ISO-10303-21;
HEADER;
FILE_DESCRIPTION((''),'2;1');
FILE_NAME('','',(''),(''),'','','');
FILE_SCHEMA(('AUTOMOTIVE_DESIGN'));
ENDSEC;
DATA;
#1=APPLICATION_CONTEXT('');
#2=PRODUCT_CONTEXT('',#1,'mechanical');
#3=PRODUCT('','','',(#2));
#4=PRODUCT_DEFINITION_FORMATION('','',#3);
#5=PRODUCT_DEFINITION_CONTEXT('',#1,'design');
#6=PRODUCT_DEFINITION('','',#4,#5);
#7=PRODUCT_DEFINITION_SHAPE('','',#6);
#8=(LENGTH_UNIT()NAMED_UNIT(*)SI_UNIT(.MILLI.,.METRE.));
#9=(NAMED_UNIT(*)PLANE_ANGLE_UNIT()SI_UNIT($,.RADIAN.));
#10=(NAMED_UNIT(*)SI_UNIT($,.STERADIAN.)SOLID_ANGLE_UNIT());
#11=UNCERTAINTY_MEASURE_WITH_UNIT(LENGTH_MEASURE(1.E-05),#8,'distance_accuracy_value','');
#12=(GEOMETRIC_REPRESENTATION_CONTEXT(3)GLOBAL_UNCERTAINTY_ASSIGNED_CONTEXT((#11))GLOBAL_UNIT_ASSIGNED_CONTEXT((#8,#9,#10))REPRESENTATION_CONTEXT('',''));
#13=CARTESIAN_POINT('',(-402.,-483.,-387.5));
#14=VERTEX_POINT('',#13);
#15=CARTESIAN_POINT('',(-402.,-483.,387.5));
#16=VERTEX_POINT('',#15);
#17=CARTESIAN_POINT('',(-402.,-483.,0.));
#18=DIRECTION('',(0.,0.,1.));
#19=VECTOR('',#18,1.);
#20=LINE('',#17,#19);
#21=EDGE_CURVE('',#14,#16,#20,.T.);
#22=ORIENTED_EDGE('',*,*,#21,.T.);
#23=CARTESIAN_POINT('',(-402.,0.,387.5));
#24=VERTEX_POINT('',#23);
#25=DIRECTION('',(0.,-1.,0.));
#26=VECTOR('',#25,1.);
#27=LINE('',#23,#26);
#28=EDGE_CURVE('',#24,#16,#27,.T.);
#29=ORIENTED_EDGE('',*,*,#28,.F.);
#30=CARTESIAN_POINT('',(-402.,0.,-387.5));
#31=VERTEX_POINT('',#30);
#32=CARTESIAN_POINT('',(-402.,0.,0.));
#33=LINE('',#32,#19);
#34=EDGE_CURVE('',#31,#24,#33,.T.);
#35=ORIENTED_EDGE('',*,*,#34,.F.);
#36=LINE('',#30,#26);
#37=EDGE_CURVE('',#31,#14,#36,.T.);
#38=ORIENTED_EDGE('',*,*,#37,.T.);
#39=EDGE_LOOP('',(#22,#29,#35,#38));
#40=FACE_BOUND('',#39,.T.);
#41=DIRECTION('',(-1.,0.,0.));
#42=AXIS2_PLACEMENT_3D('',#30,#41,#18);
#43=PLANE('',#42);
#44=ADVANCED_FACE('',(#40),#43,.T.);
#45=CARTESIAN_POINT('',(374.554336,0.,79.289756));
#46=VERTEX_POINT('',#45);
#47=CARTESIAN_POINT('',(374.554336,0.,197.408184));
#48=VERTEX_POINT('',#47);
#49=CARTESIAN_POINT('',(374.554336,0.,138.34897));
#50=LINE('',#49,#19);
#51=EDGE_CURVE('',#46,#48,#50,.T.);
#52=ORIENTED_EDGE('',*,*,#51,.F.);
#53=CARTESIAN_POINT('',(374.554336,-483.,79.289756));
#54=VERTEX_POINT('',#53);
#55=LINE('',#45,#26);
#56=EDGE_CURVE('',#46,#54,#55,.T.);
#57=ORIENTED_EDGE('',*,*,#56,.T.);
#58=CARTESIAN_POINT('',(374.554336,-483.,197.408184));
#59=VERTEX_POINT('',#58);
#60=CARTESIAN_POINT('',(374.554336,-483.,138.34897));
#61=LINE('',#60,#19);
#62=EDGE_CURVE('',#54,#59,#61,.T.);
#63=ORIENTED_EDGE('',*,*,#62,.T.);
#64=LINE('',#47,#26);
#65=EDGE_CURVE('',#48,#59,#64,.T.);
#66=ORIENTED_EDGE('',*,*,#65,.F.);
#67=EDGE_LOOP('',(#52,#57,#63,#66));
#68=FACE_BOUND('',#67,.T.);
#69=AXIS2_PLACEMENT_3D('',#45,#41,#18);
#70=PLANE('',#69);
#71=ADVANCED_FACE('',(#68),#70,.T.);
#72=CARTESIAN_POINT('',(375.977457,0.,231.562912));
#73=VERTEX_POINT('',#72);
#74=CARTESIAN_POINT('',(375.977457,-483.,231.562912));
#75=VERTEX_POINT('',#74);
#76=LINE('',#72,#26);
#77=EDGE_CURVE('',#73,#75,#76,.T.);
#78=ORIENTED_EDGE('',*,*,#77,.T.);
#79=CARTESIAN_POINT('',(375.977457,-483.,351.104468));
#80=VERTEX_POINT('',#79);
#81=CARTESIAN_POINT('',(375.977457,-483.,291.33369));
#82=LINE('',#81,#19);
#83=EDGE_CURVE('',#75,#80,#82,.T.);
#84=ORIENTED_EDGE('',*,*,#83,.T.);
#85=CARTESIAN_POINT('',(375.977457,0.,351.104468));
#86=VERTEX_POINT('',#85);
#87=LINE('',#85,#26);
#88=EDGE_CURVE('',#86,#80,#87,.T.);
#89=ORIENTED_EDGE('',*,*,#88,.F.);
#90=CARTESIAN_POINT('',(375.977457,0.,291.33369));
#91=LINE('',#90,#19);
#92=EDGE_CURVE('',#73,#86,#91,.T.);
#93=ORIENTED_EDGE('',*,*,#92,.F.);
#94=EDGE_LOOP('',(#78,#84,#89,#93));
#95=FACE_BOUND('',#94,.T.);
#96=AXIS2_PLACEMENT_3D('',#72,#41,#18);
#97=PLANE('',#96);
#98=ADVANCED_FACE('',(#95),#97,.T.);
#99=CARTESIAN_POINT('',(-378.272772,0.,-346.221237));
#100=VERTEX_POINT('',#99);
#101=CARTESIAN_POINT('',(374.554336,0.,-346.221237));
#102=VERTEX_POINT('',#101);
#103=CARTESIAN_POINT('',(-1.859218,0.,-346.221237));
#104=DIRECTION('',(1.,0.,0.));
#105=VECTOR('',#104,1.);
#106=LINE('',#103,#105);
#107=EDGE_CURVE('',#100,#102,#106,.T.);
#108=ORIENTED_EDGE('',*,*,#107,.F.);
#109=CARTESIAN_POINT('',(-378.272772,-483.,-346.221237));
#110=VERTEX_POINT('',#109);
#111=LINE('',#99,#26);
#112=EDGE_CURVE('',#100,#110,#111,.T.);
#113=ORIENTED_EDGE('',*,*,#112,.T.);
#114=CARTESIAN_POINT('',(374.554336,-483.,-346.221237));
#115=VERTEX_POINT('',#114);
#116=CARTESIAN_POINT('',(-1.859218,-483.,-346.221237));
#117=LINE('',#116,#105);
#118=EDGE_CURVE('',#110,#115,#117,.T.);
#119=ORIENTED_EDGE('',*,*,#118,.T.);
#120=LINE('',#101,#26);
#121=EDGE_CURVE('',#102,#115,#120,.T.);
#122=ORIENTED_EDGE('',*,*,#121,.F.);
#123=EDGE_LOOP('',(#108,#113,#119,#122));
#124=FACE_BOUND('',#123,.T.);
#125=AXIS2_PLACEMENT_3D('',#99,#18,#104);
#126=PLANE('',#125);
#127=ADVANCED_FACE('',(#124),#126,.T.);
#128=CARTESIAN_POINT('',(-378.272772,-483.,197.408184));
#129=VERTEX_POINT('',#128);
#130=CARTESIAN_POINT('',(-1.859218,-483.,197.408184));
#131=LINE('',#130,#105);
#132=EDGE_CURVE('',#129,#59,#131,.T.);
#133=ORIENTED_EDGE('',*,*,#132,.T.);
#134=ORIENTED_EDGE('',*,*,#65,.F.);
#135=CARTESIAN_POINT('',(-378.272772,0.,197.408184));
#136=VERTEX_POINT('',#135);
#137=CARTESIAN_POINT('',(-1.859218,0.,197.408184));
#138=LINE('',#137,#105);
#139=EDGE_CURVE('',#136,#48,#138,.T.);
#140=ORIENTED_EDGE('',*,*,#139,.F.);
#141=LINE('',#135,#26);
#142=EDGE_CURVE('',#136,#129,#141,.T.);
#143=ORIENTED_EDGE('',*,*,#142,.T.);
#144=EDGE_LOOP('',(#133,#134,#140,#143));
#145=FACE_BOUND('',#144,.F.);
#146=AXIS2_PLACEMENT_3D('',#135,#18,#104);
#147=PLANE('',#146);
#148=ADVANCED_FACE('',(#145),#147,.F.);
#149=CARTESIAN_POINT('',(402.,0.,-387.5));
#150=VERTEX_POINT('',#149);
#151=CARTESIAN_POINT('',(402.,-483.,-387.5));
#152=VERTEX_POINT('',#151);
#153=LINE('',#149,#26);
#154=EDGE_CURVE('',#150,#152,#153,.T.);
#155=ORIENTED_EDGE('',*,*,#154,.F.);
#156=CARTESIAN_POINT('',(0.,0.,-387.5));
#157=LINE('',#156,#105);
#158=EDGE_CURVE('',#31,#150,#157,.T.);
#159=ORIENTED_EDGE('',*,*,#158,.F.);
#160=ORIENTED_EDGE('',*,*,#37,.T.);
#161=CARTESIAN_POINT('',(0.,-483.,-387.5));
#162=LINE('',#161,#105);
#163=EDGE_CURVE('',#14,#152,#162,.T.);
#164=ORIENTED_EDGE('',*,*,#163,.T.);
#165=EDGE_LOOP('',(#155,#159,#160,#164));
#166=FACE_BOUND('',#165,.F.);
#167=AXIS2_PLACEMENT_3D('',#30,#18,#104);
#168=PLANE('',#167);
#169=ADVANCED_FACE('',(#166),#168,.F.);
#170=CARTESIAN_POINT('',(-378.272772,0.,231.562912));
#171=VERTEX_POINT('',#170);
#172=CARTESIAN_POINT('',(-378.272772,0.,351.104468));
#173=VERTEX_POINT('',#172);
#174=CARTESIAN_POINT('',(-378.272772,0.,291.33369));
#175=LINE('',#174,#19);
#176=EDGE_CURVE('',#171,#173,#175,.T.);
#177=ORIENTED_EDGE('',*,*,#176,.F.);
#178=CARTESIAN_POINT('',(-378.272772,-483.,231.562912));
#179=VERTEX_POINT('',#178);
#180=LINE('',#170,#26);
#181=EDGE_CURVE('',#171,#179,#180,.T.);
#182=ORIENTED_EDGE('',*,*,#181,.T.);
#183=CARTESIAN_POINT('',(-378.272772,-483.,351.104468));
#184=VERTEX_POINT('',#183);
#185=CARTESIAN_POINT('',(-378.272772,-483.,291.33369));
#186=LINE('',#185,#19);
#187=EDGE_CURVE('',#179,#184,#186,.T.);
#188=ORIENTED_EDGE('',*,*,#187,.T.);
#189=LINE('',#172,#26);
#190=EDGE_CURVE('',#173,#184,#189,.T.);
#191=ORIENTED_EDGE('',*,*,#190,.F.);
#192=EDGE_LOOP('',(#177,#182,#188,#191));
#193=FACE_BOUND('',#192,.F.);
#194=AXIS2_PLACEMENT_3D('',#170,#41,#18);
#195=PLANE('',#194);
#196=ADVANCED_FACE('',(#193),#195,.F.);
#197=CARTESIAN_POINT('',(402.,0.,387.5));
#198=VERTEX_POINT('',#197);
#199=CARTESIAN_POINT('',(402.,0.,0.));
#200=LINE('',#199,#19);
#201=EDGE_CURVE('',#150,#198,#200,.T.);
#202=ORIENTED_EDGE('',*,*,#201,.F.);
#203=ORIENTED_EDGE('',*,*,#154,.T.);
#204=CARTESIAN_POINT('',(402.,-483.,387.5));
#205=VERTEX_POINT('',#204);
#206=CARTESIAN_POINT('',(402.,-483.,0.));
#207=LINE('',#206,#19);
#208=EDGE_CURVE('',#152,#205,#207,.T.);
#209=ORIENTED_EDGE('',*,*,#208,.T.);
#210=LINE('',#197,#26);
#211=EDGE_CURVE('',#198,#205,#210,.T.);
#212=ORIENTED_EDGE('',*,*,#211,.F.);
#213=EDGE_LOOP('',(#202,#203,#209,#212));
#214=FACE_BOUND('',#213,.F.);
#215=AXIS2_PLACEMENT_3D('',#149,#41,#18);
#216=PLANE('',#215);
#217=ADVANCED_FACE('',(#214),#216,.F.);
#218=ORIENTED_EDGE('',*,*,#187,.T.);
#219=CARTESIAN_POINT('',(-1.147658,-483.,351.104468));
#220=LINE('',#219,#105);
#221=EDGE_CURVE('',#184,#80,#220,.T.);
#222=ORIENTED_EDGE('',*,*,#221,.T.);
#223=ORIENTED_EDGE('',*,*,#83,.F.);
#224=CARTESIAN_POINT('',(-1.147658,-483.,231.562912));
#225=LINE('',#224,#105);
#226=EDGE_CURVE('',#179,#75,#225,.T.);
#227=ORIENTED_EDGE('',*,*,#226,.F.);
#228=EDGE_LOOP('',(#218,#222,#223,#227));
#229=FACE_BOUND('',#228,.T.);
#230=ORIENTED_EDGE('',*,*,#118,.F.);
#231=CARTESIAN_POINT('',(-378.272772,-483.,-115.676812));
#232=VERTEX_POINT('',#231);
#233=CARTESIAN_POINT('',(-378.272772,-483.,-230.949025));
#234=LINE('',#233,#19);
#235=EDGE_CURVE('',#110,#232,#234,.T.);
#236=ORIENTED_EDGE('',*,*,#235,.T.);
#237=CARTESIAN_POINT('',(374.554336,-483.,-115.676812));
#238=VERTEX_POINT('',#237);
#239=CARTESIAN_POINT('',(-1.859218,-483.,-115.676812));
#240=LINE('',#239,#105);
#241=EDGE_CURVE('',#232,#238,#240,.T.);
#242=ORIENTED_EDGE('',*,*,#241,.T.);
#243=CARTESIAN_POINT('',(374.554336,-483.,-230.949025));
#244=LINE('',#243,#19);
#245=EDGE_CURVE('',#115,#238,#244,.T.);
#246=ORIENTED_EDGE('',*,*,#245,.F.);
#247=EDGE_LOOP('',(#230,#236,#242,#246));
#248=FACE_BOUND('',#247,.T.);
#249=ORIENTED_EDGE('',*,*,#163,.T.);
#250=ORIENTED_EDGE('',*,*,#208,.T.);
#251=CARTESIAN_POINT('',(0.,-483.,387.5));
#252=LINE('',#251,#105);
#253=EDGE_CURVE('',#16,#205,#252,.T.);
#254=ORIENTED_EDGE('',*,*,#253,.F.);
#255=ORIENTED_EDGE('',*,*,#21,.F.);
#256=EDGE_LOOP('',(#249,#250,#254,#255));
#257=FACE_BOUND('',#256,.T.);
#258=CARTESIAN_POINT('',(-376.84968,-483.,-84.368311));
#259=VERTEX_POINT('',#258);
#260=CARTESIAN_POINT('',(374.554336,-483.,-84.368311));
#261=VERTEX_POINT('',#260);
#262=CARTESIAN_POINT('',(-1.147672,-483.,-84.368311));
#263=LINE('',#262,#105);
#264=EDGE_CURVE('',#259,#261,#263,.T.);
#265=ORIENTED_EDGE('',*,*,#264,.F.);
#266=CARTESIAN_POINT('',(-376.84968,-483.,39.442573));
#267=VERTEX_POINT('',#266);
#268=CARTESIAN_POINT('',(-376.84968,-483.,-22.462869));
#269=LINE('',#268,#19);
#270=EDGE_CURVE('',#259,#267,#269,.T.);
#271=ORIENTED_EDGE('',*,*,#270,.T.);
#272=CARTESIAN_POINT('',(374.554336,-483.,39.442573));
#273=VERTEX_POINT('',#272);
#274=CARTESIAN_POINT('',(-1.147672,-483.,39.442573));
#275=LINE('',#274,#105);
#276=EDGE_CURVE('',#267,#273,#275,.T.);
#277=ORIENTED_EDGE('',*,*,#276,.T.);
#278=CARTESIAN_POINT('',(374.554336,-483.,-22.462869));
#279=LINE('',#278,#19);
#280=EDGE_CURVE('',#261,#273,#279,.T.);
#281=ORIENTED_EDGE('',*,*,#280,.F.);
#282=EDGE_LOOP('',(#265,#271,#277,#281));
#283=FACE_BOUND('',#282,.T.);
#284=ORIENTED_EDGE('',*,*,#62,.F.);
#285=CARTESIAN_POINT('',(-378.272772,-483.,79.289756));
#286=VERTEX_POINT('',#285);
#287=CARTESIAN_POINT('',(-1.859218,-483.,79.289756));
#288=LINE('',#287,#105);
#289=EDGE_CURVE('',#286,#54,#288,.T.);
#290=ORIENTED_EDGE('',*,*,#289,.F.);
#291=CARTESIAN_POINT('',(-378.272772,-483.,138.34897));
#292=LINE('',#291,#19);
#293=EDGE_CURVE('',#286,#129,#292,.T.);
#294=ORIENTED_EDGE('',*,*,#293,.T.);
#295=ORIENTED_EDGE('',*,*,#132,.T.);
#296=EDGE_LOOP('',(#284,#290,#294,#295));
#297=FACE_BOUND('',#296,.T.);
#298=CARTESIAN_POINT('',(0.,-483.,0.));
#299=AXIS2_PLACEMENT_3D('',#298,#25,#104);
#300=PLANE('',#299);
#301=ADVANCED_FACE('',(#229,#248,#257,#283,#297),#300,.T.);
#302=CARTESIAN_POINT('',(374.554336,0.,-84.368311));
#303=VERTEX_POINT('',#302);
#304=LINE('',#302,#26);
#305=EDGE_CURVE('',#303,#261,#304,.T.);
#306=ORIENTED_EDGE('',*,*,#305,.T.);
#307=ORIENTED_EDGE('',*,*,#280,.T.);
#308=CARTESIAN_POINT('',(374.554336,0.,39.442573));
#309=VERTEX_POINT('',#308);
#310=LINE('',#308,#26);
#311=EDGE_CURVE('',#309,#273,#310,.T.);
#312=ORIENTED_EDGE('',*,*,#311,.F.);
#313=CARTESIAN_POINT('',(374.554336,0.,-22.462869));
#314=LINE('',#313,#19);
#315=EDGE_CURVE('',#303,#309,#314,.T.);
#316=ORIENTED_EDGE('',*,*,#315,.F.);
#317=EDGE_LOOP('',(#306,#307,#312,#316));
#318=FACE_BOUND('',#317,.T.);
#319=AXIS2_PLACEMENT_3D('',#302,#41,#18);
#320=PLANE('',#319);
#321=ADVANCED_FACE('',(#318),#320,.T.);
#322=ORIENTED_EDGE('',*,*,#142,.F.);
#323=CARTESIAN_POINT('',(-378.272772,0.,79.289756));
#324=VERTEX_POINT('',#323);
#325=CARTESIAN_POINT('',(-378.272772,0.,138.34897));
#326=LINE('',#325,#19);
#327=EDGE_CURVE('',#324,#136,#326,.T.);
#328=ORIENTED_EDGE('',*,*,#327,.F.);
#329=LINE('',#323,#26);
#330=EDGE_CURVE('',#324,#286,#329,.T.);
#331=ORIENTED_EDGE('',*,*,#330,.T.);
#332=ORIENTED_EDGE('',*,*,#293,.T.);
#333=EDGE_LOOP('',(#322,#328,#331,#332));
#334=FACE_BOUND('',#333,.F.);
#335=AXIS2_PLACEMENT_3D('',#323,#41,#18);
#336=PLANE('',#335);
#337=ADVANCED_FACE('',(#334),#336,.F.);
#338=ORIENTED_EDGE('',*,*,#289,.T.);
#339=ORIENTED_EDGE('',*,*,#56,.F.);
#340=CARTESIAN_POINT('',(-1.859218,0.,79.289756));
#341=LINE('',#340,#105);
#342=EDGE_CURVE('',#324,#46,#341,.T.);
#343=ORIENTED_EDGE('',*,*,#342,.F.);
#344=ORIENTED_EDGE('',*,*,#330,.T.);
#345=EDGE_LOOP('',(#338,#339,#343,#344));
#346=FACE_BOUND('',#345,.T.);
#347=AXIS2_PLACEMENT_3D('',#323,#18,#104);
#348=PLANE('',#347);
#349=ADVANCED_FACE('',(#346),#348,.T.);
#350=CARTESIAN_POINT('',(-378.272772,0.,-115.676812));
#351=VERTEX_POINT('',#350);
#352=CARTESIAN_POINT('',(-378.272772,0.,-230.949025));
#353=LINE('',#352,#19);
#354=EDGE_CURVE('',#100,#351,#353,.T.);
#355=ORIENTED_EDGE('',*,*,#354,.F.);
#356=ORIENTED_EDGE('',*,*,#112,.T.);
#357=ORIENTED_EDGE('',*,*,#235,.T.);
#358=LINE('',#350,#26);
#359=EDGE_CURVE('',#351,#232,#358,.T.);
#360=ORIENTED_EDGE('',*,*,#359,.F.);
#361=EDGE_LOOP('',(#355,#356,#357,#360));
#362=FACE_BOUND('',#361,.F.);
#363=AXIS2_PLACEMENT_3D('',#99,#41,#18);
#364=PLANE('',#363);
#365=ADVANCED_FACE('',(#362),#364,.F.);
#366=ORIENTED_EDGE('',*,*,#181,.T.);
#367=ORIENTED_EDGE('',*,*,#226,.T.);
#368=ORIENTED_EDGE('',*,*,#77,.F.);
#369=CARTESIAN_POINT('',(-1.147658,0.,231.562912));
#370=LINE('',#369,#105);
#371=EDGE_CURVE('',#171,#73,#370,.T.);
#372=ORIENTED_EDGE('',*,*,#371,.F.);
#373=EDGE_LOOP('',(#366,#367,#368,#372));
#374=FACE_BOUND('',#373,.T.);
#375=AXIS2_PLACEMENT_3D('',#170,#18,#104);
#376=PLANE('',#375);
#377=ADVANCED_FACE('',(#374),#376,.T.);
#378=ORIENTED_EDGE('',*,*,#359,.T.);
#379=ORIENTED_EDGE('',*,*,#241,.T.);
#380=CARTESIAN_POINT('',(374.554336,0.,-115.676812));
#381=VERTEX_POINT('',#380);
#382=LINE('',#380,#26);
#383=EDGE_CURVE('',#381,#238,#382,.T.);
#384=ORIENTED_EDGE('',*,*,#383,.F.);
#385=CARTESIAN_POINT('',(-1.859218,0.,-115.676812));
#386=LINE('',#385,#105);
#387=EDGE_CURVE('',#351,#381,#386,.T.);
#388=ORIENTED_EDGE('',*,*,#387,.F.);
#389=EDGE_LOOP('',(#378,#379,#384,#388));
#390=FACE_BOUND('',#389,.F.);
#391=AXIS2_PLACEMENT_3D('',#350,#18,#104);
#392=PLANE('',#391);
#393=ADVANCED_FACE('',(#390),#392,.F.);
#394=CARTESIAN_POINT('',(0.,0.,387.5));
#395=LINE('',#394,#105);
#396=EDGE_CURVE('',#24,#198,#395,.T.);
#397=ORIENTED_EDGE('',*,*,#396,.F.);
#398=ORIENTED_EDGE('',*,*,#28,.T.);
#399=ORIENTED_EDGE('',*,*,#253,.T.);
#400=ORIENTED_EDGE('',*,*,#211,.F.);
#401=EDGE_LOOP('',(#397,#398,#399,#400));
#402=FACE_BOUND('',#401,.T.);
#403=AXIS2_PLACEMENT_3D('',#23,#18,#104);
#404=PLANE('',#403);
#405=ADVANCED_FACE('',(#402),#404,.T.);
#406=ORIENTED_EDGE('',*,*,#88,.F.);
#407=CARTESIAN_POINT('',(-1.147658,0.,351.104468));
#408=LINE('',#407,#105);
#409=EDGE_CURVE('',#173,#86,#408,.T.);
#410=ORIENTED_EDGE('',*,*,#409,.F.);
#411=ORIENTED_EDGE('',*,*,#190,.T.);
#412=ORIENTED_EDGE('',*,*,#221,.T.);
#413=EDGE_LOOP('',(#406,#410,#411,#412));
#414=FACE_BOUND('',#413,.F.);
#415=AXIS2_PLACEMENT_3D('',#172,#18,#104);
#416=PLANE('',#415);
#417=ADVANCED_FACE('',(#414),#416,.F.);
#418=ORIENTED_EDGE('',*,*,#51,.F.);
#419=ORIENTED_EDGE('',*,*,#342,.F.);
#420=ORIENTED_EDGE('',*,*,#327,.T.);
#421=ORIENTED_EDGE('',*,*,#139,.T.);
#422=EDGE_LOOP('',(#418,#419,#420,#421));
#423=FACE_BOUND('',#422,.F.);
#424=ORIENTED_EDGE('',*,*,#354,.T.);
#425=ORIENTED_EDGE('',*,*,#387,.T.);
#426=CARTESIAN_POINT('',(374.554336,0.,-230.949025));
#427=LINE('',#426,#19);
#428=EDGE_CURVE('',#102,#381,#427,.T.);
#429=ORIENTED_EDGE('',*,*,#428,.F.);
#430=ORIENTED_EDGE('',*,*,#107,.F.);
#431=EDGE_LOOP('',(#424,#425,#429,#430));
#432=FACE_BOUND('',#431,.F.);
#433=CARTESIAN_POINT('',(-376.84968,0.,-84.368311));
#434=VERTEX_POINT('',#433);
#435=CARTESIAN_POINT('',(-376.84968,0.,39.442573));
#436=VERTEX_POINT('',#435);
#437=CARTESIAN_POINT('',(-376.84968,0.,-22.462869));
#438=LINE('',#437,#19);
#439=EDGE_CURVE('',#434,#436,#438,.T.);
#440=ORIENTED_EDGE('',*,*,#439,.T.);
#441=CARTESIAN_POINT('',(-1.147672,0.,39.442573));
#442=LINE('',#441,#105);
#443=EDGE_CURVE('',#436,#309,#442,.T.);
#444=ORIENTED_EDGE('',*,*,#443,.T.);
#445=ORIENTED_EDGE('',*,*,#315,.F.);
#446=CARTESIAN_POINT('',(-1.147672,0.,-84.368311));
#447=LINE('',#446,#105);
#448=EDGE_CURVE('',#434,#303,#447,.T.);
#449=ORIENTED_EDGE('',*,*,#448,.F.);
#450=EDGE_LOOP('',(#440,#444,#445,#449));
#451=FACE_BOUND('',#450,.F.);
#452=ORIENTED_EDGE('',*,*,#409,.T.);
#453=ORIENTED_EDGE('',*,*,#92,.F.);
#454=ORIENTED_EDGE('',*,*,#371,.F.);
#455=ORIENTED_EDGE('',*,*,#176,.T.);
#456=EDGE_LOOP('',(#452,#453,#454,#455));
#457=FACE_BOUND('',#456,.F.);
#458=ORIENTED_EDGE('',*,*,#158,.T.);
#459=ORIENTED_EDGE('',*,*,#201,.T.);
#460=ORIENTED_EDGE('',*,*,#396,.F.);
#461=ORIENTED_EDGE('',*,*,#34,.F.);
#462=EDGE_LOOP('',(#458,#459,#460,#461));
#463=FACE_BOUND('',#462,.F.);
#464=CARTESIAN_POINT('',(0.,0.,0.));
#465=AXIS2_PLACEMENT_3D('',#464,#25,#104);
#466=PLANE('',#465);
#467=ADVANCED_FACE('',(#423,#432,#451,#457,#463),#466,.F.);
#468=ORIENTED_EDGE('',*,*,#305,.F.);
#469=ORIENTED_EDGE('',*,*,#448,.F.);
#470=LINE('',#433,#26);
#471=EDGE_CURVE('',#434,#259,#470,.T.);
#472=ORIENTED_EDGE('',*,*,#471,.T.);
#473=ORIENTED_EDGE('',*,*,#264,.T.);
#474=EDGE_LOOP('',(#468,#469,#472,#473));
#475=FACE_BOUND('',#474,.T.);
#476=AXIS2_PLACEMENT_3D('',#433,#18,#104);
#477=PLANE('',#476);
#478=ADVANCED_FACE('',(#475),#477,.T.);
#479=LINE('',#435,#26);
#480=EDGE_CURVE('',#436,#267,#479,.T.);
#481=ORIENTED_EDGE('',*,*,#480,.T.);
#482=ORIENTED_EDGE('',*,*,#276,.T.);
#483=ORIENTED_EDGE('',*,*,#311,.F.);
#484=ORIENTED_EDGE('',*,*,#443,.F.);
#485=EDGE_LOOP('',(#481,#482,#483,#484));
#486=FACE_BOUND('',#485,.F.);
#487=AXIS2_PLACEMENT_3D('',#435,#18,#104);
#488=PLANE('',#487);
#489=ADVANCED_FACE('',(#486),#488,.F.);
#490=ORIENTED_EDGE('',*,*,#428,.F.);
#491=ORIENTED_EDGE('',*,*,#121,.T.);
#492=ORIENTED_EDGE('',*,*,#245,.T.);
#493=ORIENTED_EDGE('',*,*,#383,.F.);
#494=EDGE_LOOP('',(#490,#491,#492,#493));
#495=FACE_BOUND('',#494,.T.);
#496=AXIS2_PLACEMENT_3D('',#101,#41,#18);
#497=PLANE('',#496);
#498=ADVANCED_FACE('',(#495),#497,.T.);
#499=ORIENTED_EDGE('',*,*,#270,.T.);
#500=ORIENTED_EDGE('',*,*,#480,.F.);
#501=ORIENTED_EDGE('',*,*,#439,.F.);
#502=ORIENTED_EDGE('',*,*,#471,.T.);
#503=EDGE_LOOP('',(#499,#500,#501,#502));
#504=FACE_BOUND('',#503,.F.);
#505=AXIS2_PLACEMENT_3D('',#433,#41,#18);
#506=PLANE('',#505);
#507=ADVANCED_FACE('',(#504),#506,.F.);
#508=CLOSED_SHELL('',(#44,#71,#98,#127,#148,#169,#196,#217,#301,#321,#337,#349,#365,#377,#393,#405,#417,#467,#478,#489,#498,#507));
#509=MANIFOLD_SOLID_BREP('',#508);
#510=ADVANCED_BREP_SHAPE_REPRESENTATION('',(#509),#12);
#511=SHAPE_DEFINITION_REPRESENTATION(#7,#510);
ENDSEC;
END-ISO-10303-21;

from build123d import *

# Parameters (mm, degrees)
F0_W     = 804
F0_H     = 775
F0_W_2   = 752.827108
F0_H_2   = 230.544425
F0_W_3   = 751.404017
F0_H_3   = 123.810884
F0_H_4   = 118.118427
F0_W_4   = 754.250229
F0_H_5   = 119.541556
F1_DEPTH = 483


with BuildPart() as f1:
    # F0 (on Front) → F1 (new body)
    with BuildSketch(Plane.XZ):
        Rectangle(F0_W, F0_H)
        with Locations((-1.859218, -230.949025)):
            Rectangle(F0_W_2, F0_H_2, mode=Mode.SUBTRACT)
        with Locations((-1.147672, -22.462869)):
            Rectangle(F0_W_3, F0_H_3, mode=Mode.SUBTRACT)
        with Locations((-1.859218, 138.34897)):
            Rectangle(F0_W_2, F0_H_4, mode=Mode.SUBTRACT)
        with Locations((-1.147658, 291.33369)):
            Rectangle(F0_W_4, F0_H_5, mode=Mode.SUBTRACT)
    extrude(amount=F1_DEPTH)


solid = f1.part
